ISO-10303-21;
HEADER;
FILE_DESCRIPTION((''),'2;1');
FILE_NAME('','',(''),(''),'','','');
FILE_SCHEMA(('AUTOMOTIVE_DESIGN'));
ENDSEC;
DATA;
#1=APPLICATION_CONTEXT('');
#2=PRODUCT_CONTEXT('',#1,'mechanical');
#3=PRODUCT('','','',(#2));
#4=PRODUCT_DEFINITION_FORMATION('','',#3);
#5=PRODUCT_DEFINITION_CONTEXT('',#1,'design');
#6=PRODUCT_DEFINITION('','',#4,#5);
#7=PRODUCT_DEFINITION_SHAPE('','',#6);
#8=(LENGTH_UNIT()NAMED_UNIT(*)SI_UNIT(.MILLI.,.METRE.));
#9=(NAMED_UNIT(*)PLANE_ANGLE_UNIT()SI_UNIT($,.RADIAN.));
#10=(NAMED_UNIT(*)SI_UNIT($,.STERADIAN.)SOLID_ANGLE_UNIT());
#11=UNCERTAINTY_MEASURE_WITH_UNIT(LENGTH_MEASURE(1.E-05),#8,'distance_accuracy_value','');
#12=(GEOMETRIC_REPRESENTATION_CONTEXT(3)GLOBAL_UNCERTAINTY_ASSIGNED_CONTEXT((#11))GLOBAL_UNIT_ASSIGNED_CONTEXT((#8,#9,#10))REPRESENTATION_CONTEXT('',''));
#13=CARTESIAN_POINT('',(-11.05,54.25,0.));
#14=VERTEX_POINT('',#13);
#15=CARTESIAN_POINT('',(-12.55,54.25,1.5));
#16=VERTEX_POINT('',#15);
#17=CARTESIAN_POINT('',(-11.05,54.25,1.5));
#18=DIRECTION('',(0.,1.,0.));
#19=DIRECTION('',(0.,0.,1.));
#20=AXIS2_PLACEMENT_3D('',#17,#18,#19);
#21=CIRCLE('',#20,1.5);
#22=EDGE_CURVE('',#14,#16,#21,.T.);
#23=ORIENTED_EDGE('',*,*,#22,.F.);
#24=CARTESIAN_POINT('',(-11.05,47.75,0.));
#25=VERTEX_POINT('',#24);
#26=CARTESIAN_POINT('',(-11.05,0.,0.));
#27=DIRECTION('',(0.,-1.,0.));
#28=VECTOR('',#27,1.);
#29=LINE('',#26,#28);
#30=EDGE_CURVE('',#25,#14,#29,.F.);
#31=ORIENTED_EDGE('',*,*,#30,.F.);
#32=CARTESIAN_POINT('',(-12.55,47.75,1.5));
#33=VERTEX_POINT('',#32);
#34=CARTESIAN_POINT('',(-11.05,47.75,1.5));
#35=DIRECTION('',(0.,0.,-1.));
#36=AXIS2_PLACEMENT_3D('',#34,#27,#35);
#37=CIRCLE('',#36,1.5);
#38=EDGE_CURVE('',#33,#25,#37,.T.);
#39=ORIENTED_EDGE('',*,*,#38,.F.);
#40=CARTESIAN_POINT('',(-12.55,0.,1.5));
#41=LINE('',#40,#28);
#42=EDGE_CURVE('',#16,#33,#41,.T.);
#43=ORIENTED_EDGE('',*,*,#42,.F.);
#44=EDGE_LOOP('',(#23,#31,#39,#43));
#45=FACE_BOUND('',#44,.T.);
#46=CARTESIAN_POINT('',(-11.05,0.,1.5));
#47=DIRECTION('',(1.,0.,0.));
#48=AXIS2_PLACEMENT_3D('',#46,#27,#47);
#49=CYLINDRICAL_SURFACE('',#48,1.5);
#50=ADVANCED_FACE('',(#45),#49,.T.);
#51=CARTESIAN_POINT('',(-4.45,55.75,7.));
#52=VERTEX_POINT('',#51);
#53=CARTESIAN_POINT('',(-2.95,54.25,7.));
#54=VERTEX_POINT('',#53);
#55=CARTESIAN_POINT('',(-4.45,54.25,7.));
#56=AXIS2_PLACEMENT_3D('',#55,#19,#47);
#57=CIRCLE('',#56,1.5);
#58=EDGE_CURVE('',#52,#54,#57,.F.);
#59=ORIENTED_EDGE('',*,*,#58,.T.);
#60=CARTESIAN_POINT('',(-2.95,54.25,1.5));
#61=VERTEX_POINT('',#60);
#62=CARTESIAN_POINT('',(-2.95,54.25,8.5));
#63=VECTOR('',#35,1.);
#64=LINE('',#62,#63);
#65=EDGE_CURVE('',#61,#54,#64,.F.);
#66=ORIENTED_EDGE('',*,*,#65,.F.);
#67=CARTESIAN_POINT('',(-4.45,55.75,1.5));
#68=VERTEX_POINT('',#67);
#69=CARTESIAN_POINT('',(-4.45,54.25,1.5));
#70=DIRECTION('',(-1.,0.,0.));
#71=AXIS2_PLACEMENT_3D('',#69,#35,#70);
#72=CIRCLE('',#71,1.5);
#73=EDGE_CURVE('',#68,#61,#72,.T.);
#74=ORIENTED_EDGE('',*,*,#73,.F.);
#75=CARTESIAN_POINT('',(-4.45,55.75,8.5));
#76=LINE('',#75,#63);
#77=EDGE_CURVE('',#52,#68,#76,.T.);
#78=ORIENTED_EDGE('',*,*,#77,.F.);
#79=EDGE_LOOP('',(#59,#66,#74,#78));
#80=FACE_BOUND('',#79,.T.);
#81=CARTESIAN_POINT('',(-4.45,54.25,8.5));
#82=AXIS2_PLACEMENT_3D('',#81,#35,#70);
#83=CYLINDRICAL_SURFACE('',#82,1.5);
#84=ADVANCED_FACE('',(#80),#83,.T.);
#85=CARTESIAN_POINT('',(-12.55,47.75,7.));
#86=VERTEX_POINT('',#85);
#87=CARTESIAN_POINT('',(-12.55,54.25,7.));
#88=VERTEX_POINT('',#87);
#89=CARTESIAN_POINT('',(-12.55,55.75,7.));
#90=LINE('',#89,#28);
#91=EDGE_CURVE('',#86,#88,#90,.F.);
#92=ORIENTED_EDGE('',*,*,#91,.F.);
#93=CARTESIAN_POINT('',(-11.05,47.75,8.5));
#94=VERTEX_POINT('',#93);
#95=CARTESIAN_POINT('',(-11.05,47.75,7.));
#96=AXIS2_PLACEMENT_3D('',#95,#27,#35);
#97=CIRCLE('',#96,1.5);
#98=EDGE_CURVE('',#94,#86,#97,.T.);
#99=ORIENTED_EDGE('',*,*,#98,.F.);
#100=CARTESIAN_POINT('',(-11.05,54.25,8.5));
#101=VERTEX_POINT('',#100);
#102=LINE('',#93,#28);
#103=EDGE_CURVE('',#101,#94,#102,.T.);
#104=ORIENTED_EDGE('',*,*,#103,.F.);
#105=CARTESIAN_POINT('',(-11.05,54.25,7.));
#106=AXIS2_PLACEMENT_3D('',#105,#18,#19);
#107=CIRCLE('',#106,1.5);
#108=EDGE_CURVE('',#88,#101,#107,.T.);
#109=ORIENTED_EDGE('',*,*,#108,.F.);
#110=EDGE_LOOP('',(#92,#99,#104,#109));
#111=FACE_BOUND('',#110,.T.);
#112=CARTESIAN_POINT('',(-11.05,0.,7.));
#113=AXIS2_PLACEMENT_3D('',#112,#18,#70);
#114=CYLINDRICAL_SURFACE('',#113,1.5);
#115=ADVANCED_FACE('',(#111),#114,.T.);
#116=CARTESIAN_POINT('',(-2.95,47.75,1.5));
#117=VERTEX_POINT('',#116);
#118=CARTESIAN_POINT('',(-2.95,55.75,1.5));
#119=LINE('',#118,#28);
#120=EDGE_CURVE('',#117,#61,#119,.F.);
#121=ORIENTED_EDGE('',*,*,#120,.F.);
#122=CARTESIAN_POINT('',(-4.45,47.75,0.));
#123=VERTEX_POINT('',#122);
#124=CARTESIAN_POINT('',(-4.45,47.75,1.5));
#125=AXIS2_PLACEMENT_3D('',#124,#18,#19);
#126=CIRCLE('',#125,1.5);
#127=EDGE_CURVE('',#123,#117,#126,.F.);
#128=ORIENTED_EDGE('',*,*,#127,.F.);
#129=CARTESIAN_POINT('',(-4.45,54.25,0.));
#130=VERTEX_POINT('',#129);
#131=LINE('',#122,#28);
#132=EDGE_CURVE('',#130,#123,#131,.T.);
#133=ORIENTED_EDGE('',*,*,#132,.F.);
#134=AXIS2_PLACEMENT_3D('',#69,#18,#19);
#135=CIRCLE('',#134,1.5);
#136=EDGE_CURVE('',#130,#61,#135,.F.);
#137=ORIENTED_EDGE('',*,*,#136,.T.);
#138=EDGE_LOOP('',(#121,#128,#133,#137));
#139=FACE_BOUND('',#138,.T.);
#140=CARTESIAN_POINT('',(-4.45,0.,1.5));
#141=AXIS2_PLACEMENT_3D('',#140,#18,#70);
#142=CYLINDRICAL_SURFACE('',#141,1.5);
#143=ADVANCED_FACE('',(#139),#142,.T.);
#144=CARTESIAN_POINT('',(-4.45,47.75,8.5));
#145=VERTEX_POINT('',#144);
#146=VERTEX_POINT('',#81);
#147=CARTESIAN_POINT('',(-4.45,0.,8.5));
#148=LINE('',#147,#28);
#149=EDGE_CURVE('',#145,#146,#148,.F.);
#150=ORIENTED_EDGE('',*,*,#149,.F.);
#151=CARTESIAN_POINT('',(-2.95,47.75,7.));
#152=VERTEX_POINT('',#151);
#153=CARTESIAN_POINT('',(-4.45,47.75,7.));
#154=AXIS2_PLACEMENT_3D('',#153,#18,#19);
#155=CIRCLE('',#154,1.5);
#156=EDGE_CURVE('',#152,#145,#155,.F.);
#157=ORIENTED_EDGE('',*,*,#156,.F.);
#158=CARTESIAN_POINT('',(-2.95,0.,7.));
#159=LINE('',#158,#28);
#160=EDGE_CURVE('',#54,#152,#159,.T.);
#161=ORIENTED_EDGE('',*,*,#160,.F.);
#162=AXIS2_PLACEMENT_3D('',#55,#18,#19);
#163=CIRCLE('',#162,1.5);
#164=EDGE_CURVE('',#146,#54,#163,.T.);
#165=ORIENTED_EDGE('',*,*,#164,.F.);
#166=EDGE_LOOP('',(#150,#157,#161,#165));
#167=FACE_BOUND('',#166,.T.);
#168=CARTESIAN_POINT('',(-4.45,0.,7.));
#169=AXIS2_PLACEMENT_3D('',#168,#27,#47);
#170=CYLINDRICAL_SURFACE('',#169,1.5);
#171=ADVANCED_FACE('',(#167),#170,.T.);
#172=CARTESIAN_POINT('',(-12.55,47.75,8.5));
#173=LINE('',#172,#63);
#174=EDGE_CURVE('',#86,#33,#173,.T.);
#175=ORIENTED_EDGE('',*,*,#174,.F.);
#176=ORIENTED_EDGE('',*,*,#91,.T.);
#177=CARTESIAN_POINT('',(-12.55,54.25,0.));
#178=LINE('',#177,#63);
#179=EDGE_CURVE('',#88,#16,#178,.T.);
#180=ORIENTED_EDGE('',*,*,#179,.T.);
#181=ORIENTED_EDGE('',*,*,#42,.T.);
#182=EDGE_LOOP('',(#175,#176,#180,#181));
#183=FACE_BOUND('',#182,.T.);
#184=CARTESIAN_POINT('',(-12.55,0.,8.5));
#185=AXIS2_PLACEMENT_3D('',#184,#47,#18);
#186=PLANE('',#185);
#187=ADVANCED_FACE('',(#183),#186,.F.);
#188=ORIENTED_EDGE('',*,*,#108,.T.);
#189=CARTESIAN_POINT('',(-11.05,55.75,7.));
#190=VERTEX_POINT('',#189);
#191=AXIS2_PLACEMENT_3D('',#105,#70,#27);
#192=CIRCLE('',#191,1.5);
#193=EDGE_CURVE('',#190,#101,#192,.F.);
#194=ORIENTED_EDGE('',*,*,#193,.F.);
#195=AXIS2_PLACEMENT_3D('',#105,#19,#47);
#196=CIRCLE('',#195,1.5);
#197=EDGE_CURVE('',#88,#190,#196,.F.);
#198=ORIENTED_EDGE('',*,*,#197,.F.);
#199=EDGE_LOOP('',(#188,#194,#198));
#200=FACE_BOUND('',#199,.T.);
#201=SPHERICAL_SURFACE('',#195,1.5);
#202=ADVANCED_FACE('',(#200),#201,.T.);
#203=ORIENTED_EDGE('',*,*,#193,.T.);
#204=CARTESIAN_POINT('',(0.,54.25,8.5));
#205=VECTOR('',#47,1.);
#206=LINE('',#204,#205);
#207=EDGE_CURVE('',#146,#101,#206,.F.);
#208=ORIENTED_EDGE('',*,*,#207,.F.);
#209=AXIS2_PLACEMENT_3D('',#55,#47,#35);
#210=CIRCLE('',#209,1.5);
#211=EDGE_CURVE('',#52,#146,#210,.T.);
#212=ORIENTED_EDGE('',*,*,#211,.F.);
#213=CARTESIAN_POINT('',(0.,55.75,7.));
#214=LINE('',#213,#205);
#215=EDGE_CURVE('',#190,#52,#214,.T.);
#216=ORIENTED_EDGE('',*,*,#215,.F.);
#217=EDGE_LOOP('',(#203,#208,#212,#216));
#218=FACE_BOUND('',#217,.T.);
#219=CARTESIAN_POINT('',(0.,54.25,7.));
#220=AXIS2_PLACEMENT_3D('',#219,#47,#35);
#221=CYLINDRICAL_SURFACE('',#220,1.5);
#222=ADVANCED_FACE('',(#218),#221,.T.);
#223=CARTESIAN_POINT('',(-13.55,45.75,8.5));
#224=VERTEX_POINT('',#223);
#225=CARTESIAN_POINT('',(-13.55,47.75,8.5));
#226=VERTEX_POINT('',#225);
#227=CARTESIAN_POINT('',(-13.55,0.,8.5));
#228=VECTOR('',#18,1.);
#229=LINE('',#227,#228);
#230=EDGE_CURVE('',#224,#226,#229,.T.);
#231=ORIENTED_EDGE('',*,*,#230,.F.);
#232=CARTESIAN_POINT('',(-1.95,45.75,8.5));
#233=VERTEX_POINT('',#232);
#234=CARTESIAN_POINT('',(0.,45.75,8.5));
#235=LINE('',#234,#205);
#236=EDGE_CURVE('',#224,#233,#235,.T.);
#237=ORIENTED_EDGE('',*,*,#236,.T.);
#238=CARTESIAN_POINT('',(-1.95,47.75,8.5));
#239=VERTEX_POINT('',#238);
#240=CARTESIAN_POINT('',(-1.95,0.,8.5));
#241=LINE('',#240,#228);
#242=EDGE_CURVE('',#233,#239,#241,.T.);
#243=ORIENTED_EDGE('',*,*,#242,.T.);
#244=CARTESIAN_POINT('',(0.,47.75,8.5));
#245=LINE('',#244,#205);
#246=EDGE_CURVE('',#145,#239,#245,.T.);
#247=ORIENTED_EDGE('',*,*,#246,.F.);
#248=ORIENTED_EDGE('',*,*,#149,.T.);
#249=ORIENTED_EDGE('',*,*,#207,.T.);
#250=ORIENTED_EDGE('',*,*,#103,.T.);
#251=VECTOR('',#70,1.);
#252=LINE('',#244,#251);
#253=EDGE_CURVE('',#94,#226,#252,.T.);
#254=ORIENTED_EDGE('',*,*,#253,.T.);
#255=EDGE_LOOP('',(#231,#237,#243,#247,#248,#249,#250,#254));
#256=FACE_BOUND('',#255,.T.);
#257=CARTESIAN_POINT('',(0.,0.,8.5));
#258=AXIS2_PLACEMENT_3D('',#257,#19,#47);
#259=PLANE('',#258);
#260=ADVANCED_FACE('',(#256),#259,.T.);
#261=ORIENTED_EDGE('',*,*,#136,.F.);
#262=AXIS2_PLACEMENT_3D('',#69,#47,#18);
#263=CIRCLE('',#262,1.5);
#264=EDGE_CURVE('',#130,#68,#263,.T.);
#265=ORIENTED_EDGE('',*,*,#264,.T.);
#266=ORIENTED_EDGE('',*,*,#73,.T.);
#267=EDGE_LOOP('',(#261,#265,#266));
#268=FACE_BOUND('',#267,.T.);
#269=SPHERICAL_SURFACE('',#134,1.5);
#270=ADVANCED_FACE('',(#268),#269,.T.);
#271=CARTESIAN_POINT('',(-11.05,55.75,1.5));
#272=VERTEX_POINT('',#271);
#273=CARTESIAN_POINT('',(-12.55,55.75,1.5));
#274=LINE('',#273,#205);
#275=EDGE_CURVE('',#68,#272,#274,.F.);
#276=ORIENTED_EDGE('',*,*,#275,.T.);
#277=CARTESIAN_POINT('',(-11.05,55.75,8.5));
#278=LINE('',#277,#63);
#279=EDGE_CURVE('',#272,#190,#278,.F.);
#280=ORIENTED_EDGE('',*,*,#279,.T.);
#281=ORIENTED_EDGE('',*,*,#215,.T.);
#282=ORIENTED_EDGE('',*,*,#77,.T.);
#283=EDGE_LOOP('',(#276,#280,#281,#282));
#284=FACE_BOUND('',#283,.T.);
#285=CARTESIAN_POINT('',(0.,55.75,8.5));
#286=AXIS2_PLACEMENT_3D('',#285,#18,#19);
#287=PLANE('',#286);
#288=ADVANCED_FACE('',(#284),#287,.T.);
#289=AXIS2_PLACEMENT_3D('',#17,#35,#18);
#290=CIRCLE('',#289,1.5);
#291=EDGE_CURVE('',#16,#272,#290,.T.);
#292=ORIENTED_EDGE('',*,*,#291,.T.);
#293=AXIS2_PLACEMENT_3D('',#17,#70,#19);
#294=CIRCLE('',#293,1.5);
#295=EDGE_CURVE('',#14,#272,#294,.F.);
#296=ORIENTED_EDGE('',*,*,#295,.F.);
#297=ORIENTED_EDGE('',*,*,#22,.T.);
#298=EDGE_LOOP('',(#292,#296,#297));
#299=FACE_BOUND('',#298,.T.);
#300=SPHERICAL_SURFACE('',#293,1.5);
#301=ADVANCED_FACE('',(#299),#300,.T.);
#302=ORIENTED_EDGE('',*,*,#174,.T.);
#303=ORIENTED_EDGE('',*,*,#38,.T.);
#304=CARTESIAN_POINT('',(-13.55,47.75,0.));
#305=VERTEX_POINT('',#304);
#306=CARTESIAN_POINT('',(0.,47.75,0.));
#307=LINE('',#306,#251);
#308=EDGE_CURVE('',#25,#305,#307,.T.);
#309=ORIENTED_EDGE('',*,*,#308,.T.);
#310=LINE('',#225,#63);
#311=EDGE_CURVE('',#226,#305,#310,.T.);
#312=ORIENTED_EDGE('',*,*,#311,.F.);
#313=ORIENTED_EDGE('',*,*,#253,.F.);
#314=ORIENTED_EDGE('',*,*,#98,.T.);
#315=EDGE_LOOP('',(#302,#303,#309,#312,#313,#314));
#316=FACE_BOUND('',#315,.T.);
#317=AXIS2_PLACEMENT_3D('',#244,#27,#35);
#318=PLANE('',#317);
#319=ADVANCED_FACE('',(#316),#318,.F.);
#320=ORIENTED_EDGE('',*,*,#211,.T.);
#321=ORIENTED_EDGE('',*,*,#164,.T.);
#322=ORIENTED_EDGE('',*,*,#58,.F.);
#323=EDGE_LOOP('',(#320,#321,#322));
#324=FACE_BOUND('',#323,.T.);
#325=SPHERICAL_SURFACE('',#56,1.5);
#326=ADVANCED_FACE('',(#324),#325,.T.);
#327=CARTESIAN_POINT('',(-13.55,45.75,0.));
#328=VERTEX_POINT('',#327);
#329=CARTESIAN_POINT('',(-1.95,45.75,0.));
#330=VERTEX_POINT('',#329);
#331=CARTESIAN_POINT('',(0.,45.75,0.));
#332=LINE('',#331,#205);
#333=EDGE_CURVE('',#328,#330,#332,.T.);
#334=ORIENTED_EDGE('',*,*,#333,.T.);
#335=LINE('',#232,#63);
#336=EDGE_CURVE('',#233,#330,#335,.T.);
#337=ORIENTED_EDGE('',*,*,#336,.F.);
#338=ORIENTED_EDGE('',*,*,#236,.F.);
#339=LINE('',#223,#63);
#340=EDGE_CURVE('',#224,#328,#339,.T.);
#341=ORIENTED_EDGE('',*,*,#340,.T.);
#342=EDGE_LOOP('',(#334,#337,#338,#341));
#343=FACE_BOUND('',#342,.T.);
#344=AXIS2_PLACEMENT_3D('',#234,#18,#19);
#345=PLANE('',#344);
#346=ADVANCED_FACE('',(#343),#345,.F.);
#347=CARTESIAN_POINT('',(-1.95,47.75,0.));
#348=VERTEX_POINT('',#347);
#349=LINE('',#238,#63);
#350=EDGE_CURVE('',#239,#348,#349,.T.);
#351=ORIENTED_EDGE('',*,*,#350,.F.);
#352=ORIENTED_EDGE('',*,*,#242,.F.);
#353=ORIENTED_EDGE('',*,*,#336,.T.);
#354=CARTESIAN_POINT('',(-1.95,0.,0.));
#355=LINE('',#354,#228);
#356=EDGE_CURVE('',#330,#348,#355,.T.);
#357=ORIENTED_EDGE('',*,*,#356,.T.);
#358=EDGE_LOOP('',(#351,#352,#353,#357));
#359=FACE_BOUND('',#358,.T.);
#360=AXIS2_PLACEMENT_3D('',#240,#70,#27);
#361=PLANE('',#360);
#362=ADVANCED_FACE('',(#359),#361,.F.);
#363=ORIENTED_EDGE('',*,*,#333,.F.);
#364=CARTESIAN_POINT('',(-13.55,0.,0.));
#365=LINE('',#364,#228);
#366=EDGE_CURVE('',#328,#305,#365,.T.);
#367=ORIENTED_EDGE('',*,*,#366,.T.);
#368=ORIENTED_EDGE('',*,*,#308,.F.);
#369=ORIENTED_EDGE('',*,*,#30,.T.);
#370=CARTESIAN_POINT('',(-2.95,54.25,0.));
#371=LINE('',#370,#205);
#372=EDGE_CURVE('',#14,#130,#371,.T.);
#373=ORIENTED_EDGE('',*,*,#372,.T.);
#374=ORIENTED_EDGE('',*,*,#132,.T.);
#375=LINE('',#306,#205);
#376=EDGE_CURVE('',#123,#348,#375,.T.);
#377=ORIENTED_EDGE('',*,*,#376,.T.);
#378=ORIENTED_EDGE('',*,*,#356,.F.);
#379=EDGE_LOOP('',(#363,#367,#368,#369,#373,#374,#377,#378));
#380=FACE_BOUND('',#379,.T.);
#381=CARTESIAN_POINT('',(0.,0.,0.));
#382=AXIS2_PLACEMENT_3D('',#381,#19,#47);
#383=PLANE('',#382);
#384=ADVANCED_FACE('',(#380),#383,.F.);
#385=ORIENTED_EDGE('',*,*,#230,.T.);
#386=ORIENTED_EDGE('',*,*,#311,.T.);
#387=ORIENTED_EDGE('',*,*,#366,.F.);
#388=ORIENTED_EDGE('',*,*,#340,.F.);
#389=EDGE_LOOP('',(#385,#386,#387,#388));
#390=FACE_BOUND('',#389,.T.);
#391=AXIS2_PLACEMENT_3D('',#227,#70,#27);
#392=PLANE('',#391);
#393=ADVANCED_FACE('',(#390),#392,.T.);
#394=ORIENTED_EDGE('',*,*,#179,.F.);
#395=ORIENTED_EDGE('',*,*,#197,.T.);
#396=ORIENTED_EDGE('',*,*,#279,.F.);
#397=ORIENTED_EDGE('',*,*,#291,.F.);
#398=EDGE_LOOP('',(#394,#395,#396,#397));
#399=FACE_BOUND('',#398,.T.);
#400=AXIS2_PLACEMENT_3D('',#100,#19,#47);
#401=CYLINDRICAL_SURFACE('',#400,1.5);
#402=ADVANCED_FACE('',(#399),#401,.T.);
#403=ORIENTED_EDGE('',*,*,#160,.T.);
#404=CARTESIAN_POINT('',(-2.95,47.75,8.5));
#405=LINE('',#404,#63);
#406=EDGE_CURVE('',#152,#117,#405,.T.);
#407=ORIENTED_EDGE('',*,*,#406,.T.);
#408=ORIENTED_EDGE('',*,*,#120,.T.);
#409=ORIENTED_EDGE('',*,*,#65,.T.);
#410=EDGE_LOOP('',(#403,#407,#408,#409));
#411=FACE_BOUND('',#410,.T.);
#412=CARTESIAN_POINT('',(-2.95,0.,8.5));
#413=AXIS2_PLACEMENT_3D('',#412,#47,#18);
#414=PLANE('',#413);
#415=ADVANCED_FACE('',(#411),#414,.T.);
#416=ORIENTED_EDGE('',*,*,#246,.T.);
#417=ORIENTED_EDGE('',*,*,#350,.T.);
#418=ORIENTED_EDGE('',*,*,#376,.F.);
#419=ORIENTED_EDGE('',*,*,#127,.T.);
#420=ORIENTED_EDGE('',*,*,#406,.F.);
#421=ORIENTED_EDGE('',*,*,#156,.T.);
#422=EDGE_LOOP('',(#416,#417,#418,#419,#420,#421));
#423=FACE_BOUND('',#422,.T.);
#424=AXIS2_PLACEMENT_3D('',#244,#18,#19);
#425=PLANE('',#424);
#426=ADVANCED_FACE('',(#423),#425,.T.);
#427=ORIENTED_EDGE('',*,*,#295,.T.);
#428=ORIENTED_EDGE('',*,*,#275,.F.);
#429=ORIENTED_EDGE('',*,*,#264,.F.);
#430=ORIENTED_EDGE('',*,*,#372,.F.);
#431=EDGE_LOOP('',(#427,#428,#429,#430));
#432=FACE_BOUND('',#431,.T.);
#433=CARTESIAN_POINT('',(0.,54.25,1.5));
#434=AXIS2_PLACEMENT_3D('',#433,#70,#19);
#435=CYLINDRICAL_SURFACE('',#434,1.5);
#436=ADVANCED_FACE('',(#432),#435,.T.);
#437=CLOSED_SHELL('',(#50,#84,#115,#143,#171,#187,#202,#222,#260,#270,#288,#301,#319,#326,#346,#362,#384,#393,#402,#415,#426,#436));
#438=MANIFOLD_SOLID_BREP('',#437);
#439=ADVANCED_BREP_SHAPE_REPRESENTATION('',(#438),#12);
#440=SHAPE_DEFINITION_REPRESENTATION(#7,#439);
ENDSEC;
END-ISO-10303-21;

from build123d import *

# Parameters (mm, degrees)
SKETCH2_W           = 1
SKETCH2_H           = 2
BOSS_EXTRUDE1_DEPTH = 8.5
FILLET1_R           = 1.5


with BuildPart() as part:
    # Sketch2 → Boss-Extrude1 (new body)
    with BuildSketch(Plane.XY):
        Polygon((-2.95, 55.75), (-7.75, 55.75), (-7.75, 45.75), (-2.95, 45.75), (-2.95, 47.75), align=None)
        Polygon((-7.75, 55.75), (-12.55, 55.75), (-12.55, 47.75), (-12.55, 45.75), (-7.75, 45.75), align=None)
        with Locations((-2.45, 46.75)):
            Rectangle(SKETCH2_W, SKETCH2_H)
        with Locations((-13.05, 46.75)):
            Rectangle(SKETCH2_W, SKETCH2_H)
    extrude(amount=BOSS_EXTRUDE1_DEPTH)

    # Fillet1
    fillet1_edges = [part.edges().sort_by_distance(p)[0] for p in [
        (-2.95, 51.75, 0),
        (-12.55, 51.75, 8.5),
        (-12.55, 51.75, 0),
        (-7.75, 55.75, 0),
        (-2.95, 55.75, 4.25),
        (-12.55, 55.75, 4.25),
        (-2.95, 51.75, 8.5),
        (-7.75, 55.75, 8.5),
    ]]
    fillet(fillet1_edges, radius=FILLET1_R)


solid = part.part
